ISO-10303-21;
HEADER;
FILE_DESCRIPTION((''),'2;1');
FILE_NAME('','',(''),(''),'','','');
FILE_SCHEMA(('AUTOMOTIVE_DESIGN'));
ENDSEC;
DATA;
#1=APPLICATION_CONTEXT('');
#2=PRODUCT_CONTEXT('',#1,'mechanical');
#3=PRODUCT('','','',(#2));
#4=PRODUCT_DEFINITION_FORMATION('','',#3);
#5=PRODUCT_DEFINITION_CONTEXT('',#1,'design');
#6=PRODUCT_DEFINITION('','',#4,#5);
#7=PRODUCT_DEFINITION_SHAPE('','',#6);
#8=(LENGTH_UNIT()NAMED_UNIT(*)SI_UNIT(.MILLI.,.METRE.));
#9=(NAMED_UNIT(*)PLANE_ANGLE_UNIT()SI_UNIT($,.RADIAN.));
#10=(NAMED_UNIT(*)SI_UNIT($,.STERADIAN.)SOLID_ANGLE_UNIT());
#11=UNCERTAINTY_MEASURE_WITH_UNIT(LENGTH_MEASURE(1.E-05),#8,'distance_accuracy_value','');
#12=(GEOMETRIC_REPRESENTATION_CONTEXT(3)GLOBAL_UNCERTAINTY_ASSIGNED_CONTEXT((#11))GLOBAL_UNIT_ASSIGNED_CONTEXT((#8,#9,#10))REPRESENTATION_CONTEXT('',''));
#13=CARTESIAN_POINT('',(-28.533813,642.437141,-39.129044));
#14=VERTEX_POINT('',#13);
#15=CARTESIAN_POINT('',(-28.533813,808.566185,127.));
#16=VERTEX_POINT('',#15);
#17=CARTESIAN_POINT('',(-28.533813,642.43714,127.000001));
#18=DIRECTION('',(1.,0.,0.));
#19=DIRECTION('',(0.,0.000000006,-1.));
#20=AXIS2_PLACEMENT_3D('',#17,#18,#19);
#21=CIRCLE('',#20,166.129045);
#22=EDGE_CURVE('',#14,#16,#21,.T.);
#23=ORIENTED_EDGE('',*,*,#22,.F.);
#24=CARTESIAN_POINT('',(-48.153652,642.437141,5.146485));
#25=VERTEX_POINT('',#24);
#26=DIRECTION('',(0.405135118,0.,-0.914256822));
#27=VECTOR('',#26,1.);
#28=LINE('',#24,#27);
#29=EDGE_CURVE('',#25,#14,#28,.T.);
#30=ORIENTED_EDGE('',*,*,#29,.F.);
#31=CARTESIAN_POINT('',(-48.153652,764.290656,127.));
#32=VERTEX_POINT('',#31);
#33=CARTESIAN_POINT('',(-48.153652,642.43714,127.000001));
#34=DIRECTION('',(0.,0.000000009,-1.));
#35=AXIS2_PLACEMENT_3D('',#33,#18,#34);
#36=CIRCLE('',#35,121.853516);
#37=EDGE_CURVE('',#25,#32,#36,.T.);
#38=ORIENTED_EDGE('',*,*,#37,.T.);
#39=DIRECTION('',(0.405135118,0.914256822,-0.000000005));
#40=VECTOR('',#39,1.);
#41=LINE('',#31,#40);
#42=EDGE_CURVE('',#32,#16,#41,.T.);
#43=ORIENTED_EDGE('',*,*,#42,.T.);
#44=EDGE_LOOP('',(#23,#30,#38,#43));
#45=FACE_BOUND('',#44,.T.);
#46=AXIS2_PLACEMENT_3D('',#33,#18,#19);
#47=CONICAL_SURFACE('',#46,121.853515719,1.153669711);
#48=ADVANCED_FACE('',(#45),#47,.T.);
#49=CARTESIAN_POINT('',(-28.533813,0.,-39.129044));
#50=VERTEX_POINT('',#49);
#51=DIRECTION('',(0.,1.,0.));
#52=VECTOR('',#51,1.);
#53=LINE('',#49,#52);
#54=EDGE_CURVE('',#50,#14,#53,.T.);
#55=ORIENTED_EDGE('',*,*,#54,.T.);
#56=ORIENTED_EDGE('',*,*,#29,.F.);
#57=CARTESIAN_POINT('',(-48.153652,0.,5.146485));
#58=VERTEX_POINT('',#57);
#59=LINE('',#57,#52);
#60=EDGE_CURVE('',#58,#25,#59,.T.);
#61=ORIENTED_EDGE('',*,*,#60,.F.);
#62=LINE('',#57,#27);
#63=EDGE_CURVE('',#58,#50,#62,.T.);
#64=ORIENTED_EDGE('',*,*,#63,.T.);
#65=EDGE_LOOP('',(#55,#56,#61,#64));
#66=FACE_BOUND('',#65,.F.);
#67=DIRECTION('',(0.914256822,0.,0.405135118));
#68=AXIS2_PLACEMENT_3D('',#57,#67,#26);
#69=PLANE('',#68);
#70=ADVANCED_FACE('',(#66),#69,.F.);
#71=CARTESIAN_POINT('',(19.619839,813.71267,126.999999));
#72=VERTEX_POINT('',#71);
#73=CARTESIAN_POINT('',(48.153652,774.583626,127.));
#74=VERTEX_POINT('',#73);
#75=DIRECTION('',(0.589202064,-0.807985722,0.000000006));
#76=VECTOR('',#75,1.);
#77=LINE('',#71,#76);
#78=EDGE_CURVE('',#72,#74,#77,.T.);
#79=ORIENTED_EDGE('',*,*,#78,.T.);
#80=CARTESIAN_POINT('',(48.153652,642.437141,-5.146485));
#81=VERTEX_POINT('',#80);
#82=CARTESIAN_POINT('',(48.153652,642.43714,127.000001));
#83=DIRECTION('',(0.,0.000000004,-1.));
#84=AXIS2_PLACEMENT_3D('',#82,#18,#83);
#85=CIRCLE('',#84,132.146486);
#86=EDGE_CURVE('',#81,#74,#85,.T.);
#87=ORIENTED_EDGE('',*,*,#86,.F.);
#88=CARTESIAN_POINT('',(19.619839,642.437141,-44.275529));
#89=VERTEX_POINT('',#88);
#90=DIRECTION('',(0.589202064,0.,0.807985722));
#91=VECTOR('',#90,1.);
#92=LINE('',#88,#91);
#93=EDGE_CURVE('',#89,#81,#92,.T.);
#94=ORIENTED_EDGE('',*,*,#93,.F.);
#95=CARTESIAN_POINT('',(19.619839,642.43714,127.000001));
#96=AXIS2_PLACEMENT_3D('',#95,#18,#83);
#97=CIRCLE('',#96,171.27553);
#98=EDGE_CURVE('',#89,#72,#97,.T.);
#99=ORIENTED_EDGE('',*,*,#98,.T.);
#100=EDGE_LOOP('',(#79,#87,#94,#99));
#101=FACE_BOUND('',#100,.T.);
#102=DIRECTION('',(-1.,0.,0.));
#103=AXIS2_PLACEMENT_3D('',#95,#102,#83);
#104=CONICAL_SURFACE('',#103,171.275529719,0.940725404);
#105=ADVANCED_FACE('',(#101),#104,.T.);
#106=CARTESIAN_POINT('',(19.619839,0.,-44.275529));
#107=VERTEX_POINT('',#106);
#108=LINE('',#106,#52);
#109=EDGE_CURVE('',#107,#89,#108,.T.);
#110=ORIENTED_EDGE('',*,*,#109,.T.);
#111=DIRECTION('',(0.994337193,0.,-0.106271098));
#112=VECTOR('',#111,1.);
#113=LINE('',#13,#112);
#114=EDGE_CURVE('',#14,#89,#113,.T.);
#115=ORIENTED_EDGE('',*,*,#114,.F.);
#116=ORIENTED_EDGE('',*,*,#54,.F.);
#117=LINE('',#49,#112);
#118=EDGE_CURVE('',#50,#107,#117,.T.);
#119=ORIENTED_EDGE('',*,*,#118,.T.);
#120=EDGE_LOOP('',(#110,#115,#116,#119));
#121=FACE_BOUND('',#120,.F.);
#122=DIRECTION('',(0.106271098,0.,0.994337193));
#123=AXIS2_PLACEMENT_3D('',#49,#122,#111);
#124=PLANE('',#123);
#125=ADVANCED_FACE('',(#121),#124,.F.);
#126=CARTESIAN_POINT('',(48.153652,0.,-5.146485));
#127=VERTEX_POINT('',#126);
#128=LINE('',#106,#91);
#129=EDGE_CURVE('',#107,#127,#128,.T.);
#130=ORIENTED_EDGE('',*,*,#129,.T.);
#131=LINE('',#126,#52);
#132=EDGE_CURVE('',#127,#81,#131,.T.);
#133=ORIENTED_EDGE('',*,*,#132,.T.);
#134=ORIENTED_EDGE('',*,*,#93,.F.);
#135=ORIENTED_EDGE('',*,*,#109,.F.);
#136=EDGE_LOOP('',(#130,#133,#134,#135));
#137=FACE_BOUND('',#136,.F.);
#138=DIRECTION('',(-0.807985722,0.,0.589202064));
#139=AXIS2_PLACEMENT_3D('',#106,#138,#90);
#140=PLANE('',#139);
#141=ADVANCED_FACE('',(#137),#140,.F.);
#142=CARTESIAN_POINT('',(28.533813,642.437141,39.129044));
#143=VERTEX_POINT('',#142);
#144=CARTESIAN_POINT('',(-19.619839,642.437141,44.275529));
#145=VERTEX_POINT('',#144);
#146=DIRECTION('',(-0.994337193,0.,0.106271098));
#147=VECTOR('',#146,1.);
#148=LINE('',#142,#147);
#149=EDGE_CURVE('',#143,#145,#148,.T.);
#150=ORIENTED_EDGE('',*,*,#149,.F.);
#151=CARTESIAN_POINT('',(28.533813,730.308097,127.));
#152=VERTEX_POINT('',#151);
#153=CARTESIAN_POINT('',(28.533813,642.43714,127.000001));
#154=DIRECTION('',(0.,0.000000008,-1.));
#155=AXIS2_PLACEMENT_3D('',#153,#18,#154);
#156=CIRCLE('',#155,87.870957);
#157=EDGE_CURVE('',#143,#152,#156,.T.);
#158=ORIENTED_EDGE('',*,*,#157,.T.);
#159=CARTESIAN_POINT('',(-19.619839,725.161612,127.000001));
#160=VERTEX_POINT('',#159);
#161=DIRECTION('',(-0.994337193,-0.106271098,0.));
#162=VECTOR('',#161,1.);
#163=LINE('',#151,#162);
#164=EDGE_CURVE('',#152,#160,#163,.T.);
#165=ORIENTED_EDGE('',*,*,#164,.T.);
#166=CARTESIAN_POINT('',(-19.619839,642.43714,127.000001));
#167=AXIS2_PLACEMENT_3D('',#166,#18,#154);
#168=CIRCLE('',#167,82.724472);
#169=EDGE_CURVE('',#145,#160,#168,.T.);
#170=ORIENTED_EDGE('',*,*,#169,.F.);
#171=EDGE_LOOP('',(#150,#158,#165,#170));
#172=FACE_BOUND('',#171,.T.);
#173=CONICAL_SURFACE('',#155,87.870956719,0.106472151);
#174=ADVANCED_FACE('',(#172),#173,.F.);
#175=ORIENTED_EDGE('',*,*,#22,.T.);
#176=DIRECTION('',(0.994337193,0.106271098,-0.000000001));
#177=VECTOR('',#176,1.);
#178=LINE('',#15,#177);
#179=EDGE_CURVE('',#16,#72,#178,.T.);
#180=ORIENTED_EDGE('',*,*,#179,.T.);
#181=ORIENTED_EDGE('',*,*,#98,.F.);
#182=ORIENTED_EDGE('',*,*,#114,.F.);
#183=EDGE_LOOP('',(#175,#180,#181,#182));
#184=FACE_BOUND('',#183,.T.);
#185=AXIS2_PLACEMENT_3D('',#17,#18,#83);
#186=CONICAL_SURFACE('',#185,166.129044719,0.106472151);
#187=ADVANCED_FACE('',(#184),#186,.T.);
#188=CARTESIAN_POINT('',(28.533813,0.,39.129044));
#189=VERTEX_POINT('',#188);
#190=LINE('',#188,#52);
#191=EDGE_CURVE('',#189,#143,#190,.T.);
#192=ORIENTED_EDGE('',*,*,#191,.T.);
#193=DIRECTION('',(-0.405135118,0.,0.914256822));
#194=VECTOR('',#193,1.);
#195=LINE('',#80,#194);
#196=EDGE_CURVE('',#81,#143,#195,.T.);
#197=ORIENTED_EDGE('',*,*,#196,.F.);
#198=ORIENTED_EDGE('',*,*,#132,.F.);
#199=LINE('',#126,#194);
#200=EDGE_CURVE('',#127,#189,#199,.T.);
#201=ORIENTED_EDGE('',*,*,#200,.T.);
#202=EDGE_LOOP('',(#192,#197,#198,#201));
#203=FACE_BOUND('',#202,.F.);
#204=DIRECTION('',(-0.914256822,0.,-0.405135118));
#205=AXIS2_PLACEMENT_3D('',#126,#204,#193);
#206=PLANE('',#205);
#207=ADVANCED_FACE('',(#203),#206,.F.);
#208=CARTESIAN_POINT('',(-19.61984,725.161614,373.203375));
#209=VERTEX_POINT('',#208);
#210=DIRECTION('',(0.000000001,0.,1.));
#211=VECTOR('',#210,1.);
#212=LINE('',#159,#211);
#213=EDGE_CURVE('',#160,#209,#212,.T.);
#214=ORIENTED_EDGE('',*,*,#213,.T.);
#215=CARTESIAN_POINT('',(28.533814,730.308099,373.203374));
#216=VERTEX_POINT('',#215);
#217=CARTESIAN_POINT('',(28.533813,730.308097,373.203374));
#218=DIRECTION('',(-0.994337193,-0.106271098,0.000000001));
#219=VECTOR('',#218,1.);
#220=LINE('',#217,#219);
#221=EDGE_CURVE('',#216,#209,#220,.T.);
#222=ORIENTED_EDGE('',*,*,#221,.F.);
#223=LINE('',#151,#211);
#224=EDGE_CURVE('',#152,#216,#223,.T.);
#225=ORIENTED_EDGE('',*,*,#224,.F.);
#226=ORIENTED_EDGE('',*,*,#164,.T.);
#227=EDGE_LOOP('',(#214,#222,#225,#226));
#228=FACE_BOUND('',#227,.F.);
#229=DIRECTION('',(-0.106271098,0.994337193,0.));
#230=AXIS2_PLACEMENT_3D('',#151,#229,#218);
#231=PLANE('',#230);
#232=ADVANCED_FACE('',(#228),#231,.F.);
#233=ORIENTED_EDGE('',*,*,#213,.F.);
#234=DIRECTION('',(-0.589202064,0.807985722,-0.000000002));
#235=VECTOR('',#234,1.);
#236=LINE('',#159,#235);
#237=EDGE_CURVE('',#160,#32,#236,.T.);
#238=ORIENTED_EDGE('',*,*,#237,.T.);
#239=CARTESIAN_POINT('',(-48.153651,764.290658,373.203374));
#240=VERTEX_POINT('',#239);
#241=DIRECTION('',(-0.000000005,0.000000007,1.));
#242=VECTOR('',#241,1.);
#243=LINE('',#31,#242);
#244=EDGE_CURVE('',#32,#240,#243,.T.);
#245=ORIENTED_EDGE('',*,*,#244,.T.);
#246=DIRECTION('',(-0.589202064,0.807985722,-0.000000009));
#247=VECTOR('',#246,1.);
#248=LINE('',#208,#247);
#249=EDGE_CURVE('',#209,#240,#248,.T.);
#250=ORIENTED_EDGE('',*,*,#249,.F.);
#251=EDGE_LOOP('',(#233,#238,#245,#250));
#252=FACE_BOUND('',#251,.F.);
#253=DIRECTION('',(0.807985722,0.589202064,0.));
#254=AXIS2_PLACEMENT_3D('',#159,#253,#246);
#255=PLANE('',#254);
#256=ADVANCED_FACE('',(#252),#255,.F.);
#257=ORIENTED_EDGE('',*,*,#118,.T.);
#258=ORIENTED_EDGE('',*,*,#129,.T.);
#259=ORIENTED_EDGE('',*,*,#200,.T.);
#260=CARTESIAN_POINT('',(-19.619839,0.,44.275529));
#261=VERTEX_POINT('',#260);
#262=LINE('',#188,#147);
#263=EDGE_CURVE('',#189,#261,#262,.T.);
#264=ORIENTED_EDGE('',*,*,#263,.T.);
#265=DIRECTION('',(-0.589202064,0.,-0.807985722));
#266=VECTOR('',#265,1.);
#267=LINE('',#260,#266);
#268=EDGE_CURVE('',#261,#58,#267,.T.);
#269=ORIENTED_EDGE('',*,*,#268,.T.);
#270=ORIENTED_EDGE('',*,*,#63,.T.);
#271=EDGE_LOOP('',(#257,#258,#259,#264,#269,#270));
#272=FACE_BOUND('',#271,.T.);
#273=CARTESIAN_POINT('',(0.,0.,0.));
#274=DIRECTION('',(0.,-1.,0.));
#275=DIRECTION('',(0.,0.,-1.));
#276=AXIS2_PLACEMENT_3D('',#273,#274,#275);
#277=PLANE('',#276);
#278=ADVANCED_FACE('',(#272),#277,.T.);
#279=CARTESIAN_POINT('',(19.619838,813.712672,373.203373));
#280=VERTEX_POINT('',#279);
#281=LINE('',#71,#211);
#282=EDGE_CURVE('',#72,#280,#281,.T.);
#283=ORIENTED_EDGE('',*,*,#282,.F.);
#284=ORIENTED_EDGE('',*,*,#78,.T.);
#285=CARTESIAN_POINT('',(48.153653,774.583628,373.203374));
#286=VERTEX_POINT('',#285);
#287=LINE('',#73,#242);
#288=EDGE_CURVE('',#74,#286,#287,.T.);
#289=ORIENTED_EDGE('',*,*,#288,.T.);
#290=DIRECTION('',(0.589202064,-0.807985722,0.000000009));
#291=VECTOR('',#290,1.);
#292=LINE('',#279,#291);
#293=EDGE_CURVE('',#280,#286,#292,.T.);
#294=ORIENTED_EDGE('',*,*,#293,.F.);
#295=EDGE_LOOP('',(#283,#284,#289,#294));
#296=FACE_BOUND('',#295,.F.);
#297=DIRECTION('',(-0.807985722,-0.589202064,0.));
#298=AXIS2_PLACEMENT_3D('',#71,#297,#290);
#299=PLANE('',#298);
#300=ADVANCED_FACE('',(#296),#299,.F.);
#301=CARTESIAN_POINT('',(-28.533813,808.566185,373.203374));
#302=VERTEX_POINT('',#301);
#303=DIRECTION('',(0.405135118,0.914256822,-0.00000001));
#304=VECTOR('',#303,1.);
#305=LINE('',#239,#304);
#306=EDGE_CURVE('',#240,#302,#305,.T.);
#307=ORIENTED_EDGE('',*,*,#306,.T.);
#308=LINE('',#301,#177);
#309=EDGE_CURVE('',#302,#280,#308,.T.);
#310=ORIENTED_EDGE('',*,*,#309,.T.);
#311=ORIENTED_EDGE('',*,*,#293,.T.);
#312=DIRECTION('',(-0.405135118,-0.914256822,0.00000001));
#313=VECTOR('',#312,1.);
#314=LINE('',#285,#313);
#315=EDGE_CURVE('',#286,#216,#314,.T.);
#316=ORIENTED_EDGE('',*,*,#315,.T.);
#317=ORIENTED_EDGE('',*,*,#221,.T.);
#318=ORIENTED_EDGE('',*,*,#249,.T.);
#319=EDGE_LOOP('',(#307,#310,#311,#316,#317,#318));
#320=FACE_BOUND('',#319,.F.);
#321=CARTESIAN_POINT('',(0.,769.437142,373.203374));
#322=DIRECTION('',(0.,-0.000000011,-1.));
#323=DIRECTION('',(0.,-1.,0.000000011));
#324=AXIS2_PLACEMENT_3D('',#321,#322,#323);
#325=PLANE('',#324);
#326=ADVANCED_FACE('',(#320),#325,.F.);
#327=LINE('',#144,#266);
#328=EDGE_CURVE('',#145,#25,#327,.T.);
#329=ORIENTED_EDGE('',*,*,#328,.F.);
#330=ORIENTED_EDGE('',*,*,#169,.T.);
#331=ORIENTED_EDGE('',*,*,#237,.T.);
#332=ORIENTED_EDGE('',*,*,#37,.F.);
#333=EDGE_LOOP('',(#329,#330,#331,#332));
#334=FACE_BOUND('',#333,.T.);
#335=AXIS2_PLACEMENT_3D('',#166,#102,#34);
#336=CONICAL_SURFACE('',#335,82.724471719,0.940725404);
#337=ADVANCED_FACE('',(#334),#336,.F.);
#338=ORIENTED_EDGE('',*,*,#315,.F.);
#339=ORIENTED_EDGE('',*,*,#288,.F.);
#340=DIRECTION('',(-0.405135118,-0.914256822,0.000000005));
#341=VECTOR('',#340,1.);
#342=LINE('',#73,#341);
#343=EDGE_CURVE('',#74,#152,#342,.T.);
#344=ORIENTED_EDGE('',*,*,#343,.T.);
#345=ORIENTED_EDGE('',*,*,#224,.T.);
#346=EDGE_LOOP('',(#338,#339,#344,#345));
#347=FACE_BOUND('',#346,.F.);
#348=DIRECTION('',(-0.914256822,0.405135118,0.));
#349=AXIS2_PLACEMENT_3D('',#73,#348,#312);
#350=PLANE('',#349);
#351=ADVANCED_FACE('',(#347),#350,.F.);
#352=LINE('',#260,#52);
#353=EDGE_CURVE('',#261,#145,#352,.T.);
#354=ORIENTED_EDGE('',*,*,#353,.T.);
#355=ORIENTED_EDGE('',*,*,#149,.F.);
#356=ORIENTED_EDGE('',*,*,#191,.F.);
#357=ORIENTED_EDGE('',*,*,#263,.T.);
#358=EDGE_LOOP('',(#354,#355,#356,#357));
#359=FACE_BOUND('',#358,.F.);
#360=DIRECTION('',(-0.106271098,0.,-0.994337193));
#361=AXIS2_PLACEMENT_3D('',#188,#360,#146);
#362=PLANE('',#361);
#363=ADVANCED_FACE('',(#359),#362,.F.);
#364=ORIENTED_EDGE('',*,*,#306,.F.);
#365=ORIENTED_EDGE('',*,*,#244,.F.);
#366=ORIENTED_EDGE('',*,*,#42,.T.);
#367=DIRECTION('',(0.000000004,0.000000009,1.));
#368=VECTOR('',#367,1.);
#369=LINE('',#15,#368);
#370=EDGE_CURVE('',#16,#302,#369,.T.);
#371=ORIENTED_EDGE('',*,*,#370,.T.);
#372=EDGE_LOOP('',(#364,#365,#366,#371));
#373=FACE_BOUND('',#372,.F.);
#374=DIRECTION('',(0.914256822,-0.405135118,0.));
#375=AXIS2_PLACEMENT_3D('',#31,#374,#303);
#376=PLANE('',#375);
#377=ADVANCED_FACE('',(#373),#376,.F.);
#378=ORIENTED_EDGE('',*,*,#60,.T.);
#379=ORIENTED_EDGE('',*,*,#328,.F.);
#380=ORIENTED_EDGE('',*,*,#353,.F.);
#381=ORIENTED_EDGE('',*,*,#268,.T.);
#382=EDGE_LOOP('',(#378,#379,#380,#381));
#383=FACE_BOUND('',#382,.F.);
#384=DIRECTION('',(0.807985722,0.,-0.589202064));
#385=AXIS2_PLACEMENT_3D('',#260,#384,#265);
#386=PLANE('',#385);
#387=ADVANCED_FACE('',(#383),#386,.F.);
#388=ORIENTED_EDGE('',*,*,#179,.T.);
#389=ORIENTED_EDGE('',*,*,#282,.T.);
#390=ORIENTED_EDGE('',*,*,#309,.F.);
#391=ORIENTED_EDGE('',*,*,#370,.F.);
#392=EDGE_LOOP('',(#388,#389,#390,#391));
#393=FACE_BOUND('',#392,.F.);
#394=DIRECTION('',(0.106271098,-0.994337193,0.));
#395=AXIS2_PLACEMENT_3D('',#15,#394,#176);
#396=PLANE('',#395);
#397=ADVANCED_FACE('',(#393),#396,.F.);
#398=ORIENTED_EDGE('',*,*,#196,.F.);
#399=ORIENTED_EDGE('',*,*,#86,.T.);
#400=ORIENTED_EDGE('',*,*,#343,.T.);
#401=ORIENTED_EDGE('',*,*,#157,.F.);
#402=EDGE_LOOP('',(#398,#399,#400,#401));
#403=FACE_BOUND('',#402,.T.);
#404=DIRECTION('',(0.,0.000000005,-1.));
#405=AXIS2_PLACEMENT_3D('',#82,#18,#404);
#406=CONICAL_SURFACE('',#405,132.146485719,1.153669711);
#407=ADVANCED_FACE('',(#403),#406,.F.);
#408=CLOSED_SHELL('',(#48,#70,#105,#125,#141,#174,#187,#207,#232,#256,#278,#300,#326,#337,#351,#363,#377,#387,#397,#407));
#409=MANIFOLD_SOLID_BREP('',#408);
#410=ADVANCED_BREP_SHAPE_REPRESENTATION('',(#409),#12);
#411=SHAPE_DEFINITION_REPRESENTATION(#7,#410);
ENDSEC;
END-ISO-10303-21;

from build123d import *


with BuildPart() as f2:
    # F2: sweep along a path in F1
    with BuildLine(Plane.YZ) as f2_path:
        Line((0, 0), (642.437141, 0))
        ThreePointArc((642.437141, 0), (732.239702, 37.197439), (769.437141, 127))
        Line((769.437141, 127), (769.437141, 373.203374))
    # F0 (on Front) → F2 (sweep)
    with BuildSketch(Plane.XZ):
        Polygon((28.533813, 39.129044), (-19.619839, 44.275529), (-48.153652, 5.146485), (-28.533813, -39.129044), (19.619839, -44.275529), (48.153652, -5.146485), align=None)
    sweep(path=f2_path.line)


solid = f2.part
